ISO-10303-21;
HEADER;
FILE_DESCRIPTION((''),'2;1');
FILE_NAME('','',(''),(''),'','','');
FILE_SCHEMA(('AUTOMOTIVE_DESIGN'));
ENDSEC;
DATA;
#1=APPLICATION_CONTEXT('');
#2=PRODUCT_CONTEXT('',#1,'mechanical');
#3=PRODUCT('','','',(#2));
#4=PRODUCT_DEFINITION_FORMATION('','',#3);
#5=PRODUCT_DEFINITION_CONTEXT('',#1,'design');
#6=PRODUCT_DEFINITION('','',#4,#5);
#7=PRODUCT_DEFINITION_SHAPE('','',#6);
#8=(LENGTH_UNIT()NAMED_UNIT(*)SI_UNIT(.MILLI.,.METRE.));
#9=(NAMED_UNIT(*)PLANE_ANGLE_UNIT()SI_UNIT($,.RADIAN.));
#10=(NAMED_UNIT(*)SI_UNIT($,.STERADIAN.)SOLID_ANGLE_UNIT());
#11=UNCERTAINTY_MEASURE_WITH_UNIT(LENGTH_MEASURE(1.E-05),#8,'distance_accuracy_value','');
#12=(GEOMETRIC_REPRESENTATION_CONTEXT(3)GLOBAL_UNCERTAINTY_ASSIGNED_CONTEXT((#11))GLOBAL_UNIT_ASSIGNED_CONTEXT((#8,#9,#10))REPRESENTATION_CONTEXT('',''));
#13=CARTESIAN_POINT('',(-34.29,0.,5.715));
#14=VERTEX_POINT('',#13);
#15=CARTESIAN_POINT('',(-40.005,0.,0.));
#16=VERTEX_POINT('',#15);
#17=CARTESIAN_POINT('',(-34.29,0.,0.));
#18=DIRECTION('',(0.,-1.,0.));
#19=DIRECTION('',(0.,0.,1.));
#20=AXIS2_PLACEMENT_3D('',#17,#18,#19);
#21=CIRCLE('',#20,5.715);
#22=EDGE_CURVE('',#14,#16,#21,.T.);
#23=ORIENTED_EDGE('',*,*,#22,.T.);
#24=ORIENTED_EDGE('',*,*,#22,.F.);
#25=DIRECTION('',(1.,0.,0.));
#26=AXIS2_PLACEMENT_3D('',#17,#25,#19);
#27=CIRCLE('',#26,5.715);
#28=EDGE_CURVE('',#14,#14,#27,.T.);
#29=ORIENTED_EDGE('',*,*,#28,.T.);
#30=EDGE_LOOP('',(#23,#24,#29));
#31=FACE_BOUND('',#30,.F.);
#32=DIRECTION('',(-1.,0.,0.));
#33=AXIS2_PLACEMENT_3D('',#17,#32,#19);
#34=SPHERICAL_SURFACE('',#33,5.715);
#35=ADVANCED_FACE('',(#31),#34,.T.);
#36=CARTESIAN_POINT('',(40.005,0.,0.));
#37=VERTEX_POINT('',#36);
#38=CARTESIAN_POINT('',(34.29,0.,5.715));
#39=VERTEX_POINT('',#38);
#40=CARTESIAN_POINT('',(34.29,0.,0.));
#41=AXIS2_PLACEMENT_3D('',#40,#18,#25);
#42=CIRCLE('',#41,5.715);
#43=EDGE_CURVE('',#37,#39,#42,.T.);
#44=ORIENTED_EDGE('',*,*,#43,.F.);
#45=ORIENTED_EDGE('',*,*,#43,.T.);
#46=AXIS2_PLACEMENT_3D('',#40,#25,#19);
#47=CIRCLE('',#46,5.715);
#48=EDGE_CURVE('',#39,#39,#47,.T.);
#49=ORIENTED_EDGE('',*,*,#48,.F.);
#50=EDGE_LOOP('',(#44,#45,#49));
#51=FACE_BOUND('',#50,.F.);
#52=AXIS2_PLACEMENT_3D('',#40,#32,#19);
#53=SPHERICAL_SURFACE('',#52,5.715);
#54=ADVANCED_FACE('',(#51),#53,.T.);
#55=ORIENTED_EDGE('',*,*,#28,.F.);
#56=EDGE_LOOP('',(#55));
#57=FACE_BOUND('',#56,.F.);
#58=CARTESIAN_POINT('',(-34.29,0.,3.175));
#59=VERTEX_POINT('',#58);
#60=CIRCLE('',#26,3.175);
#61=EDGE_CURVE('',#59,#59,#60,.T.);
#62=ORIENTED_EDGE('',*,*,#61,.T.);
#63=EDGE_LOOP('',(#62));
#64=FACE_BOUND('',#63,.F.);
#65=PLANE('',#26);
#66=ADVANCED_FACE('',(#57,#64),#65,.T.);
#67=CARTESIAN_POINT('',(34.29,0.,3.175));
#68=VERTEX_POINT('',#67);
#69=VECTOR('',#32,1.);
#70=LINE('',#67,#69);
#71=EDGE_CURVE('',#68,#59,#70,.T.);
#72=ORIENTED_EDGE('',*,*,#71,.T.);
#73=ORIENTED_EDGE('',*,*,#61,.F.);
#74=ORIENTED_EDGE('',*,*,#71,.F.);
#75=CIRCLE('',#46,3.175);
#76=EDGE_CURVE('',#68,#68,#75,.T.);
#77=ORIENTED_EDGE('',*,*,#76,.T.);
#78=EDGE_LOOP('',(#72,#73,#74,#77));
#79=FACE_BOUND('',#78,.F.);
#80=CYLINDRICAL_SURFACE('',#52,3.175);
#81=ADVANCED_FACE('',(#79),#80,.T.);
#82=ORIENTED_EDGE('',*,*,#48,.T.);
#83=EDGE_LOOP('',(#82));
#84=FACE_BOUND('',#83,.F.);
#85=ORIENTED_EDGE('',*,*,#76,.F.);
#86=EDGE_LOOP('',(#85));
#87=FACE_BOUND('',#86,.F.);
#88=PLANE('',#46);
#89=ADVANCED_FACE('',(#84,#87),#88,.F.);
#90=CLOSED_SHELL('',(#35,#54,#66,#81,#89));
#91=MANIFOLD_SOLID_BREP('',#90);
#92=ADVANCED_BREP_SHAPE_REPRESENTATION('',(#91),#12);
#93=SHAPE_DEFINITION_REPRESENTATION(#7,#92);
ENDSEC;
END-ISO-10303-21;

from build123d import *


with BuildPart() as part:
    # Sketch1 → Revolve1 (revolve)
    with BuildSketch(Plane(origin=(0, 0, 0), x_dir=(1, 0, 0), z_dir=(0, 1, 0))):
        with BuildLine():
            ThreePointArc((40.005, 0), (38.331115254, -4.041115254), (34.29, -5.715))
            Line((34.29, -5.715), (34.29, -3.175))
            Line((34.29, -3.175), (-34.29, -3.175))
            Line((-34.29, -3.175), (-34.29, -5.715))
            ThreePointArc((-34.29, -5.715), (-38.331115254, -4.041115254), (-40.005, 0))
            Line((-40.005, 0), (40.005, 0))
        make_face()
    revolve(axis=Axis((-40.005, 0, 0), (1, 0, 0)))


solid = part.part
